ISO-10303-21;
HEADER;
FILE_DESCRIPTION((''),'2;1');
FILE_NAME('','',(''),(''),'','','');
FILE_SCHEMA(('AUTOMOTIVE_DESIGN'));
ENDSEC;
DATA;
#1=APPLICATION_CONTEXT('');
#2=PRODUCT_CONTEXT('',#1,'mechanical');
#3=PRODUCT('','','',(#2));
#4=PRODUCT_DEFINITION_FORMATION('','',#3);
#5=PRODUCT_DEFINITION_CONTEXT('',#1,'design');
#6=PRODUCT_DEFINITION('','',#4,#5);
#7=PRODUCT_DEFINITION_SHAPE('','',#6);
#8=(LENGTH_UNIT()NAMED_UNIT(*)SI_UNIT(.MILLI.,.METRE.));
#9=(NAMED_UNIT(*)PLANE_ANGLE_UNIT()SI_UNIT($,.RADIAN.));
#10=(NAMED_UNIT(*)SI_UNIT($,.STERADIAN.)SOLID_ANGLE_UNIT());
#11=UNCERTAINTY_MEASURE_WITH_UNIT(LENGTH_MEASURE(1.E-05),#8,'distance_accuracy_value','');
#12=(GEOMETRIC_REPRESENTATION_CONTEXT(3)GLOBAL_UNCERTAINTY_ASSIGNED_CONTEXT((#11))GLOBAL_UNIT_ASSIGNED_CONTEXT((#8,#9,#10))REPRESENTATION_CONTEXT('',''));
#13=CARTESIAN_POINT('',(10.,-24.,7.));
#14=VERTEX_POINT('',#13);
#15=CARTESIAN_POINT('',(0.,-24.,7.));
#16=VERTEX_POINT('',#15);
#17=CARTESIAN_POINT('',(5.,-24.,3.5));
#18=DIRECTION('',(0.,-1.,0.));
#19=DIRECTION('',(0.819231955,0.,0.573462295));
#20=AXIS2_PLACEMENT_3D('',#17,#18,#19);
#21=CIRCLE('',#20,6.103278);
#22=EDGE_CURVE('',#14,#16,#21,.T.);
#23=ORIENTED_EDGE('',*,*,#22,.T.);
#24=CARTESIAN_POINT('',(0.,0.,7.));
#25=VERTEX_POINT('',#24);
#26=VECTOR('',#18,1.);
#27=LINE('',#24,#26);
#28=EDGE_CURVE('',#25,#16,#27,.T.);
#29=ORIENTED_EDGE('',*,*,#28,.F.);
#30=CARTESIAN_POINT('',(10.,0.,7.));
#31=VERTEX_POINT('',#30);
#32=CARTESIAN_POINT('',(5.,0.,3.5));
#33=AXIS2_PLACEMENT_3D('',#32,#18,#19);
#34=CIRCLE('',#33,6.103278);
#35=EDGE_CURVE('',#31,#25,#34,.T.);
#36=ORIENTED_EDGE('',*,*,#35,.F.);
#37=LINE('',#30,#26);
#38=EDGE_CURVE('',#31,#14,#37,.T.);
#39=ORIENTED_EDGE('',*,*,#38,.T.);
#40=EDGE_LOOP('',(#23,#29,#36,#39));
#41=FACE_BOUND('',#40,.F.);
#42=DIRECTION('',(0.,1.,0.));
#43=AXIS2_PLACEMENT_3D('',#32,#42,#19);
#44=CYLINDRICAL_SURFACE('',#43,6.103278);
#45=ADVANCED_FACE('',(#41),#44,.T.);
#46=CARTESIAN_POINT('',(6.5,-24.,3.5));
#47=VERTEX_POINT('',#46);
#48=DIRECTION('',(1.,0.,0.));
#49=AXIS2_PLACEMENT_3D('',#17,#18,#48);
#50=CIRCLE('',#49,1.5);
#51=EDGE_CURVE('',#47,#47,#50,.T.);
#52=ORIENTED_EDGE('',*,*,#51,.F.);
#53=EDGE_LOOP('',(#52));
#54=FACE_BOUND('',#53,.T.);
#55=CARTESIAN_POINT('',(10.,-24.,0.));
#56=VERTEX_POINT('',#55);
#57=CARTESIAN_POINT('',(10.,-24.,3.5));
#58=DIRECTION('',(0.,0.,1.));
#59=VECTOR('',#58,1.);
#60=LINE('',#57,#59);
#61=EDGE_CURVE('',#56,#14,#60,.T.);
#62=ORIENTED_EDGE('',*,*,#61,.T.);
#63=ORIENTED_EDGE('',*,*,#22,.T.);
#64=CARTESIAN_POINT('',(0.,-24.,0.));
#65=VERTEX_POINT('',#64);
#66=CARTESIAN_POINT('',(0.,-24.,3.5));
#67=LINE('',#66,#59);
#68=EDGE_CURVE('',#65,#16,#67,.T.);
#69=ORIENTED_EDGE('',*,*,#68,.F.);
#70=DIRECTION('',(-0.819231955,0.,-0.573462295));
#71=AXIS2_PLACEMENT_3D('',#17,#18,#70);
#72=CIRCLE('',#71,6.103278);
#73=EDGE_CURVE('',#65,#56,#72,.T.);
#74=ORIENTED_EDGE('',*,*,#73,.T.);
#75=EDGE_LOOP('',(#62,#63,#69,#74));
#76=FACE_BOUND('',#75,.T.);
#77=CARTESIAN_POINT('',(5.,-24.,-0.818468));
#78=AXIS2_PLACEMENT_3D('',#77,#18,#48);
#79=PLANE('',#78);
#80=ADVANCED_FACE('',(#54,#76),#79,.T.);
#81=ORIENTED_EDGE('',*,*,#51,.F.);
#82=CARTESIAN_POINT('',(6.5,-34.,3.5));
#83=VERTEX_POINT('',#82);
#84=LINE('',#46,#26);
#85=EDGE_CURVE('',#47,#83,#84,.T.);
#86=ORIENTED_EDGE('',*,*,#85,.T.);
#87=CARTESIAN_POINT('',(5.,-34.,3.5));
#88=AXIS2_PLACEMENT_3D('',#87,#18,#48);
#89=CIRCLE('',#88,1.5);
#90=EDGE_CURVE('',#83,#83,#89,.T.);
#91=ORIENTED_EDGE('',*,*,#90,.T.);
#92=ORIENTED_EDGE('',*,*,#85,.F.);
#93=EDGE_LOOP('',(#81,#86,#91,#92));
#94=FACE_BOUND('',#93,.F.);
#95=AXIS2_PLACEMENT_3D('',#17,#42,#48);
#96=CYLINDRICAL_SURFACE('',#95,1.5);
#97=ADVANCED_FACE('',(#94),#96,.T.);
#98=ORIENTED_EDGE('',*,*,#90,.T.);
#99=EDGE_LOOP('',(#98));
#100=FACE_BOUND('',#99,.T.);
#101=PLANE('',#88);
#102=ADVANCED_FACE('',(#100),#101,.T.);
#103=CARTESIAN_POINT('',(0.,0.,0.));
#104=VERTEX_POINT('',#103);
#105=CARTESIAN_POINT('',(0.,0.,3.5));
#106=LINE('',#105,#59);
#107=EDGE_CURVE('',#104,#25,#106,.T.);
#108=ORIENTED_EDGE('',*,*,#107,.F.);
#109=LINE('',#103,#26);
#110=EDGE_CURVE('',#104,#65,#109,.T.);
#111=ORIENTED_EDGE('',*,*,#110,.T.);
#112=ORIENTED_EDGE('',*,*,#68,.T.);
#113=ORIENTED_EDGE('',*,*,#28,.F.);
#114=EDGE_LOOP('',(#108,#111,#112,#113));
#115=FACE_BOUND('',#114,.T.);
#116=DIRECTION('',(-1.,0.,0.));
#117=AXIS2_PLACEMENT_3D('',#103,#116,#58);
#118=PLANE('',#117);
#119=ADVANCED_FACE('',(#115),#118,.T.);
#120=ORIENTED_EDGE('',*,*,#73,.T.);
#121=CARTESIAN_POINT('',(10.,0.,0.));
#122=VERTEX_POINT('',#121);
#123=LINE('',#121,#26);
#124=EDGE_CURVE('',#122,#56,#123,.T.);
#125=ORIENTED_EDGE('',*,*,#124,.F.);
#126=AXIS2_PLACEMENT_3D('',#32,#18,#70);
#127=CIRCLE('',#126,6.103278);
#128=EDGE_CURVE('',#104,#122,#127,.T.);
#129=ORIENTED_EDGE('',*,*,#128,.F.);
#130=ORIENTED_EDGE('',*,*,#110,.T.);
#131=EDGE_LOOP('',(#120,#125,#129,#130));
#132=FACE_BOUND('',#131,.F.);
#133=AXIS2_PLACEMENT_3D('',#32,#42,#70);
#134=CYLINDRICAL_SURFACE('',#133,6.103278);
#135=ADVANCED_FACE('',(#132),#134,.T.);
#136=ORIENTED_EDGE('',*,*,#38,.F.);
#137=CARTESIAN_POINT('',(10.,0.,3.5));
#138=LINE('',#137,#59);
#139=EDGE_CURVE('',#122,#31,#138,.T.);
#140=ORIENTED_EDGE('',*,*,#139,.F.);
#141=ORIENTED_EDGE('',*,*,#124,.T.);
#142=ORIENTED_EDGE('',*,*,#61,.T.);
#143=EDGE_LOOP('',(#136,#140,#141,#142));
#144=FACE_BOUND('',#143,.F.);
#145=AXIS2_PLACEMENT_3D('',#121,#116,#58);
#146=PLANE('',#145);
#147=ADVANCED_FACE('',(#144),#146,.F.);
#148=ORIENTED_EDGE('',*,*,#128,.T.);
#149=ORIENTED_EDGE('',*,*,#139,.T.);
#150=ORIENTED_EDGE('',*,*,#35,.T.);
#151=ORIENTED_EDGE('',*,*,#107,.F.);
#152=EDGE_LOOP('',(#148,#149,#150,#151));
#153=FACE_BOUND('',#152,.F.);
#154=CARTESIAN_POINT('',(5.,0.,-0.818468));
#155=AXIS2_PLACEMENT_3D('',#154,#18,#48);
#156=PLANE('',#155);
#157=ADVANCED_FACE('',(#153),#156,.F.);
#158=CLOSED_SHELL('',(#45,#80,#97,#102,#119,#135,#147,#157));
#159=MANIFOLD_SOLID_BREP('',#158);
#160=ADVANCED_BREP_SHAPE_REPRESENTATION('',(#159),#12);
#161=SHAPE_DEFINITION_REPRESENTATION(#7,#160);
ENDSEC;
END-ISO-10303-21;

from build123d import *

# Parameters (mm, degrees)
F0_W     = 10
F0_H     = 7
F1_DEPTH = 24
F2_R     = 1.5
F3_DEPTH = 10


with BuildPart() as f1:
    # F0 (on Front) → F1 (new body)
    with BuildSketch(Plane.XZ):
        with BuildLine():
            Line((10, 0), (0, 0))
            ThreePointArc((0, 0), (5, -2.603278), (10, 0))
        make_face()
        with BuildLine():
            ThreePointArc((10, 7), (5, 9.603278), (0, 7))
            Line((0, 7), (10, 7))
        make_face()
        with Locations((5, 3.5)):
            Rectangle(F0_W, F0_H)
    extrude(amount=F1_DEPTH)

    # F2 (on face) → F3 (join)
    with BuildSketch(Plane.XZ.offset(24)):
        with Locations((5, 3.5)):
            Circle(F2_R)
    extrude(amount=F3_DEPTH)


solid = f1.part
